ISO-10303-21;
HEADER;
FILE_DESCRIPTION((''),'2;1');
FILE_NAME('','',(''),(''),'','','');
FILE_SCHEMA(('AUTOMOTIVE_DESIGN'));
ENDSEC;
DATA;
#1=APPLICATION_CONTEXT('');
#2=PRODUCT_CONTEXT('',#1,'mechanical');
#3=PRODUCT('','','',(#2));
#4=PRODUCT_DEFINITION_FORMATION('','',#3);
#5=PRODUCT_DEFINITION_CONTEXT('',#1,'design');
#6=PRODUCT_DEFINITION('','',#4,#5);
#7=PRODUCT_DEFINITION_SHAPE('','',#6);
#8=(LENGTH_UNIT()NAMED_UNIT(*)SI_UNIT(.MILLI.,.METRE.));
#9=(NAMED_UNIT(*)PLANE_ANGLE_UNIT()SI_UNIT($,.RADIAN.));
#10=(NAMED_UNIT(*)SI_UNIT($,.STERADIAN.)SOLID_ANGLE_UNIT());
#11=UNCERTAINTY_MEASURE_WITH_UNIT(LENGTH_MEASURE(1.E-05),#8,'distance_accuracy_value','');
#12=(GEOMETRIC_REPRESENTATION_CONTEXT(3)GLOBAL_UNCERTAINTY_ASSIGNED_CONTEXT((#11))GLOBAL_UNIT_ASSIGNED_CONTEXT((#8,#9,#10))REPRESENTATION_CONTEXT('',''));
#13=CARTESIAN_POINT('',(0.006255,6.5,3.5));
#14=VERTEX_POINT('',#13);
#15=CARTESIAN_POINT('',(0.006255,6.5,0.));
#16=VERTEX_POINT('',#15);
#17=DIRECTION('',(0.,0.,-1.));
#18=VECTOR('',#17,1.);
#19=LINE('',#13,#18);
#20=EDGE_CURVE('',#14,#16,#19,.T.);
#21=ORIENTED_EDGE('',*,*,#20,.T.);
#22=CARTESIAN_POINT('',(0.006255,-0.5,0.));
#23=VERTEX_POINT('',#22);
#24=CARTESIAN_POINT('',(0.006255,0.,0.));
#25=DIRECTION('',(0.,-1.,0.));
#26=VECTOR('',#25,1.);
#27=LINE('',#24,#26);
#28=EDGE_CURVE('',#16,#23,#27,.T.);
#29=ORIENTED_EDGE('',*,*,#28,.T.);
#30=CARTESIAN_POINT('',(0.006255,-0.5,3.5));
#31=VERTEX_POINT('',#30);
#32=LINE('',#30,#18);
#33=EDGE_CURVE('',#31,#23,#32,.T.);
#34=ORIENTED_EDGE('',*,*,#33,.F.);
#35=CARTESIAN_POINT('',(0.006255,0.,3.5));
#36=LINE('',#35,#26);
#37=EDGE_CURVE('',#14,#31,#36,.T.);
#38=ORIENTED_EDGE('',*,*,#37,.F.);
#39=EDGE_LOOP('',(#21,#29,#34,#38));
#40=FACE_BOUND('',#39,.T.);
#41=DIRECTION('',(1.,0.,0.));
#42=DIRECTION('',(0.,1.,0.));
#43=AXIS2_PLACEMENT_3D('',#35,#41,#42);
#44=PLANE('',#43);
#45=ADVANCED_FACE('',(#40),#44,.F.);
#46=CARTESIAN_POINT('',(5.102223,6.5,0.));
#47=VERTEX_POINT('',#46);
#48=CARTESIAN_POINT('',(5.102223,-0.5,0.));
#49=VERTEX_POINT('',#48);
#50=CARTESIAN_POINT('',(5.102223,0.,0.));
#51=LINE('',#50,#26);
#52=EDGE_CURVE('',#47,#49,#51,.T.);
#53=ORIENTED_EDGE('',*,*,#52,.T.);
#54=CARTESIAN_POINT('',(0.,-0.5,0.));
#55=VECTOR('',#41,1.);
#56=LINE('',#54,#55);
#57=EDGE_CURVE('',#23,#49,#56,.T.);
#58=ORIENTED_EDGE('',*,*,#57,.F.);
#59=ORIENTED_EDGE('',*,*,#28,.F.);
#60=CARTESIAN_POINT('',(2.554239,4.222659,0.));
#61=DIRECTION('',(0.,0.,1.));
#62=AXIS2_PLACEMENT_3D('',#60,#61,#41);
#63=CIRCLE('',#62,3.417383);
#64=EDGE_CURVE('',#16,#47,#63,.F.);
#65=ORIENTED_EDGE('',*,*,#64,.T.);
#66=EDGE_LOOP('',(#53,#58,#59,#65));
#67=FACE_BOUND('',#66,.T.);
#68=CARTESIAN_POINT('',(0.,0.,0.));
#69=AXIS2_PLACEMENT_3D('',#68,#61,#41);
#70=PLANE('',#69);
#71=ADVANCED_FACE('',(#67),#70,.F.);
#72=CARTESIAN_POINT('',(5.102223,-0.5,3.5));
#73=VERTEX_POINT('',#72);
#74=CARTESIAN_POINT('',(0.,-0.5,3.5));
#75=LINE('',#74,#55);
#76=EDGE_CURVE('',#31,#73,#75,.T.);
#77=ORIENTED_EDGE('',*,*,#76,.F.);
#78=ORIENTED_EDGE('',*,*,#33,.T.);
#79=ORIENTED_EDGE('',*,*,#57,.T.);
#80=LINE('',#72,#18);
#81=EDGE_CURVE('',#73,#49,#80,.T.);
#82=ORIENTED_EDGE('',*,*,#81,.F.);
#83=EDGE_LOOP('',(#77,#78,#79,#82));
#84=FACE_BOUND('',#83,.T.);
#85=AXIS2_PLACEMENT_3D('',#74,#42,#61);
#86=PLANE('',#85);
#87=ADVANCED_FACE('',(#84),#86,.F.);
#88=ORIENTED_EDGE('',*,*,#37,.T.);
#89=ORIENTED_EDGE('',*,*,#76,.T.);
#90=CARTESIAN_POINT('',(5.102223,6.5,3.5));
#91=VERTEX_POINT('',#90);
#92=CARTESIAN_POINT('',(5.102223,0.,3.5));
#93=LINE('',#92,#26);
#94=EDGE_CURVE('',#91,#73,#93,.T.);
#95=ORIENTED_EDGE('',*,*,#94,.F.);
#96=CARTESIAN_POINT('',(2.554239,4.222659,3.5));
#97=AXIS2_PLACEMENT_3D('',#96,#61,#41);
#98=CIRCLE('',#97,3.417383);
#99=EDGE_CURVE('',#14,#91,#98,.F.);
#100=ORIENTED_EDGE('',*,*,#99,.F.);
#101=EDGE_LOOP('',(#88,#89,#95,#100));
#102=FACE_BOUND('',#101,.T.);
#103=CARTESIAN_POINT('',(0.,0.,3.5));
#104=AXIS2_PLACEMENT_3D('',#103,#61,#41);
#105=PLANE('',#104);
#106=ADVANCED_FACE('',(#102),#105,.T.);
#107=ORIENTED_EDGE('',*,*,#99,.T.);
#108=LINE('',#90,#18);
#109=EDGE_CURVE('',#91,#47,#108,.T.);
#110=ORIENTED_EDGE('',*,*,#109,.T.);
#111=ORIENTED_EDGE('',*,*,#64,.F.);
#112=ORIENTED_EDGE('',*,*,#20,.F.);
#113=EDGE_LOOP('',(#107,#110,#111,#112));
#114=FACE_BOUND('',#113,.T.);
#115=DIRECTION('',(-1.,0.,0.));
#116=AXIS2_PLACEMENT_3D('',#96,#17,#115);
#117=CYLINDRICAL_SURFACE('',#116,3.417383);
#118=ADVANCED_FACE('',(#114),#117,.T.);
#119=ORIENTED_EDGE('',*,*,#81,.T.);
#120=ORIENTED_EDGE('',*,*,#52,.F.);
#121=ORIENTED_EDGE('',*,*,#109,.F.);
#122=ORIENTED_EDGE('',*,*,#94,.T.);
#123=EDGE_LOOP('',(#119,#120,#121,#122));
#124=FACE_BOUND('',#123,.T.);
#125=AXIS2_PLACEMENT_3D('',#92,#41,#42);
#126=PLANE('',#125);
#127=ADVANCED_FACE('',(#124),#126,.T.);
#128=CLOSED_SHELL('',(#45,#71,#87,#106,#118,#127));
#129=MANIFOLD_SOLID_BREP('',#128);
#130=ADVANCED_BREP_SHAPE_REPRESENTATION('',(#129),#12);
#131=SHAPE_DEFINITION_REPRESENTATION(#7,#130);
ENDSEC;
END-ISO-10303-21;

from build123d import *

# Parameters (mm, degrees)
BOSS_EXTRUDE2_DEPTH = 3.5


with BuildPart() as part:
    # Sketch1 → Boss-Extrude2 (new body)
    with BuildSketch(Plane.XY):
        with BuildLine():
            Line((0.006254552, 6.5), (0.006254552, -0.5))
            Line((0.006254552, -0.5), (5.102222701, -0.5))
            Line((5.102222701, -0.5), (5.102222701, 6.5))
            ThreePointArc((5.102222701, 6.5), (2.554238627, 7.640041694), (0.006254552, 6.5))
        make_face()
    extrude(amount=BOSS_EXTRUDE2_DEPTH)


solid = part.part
